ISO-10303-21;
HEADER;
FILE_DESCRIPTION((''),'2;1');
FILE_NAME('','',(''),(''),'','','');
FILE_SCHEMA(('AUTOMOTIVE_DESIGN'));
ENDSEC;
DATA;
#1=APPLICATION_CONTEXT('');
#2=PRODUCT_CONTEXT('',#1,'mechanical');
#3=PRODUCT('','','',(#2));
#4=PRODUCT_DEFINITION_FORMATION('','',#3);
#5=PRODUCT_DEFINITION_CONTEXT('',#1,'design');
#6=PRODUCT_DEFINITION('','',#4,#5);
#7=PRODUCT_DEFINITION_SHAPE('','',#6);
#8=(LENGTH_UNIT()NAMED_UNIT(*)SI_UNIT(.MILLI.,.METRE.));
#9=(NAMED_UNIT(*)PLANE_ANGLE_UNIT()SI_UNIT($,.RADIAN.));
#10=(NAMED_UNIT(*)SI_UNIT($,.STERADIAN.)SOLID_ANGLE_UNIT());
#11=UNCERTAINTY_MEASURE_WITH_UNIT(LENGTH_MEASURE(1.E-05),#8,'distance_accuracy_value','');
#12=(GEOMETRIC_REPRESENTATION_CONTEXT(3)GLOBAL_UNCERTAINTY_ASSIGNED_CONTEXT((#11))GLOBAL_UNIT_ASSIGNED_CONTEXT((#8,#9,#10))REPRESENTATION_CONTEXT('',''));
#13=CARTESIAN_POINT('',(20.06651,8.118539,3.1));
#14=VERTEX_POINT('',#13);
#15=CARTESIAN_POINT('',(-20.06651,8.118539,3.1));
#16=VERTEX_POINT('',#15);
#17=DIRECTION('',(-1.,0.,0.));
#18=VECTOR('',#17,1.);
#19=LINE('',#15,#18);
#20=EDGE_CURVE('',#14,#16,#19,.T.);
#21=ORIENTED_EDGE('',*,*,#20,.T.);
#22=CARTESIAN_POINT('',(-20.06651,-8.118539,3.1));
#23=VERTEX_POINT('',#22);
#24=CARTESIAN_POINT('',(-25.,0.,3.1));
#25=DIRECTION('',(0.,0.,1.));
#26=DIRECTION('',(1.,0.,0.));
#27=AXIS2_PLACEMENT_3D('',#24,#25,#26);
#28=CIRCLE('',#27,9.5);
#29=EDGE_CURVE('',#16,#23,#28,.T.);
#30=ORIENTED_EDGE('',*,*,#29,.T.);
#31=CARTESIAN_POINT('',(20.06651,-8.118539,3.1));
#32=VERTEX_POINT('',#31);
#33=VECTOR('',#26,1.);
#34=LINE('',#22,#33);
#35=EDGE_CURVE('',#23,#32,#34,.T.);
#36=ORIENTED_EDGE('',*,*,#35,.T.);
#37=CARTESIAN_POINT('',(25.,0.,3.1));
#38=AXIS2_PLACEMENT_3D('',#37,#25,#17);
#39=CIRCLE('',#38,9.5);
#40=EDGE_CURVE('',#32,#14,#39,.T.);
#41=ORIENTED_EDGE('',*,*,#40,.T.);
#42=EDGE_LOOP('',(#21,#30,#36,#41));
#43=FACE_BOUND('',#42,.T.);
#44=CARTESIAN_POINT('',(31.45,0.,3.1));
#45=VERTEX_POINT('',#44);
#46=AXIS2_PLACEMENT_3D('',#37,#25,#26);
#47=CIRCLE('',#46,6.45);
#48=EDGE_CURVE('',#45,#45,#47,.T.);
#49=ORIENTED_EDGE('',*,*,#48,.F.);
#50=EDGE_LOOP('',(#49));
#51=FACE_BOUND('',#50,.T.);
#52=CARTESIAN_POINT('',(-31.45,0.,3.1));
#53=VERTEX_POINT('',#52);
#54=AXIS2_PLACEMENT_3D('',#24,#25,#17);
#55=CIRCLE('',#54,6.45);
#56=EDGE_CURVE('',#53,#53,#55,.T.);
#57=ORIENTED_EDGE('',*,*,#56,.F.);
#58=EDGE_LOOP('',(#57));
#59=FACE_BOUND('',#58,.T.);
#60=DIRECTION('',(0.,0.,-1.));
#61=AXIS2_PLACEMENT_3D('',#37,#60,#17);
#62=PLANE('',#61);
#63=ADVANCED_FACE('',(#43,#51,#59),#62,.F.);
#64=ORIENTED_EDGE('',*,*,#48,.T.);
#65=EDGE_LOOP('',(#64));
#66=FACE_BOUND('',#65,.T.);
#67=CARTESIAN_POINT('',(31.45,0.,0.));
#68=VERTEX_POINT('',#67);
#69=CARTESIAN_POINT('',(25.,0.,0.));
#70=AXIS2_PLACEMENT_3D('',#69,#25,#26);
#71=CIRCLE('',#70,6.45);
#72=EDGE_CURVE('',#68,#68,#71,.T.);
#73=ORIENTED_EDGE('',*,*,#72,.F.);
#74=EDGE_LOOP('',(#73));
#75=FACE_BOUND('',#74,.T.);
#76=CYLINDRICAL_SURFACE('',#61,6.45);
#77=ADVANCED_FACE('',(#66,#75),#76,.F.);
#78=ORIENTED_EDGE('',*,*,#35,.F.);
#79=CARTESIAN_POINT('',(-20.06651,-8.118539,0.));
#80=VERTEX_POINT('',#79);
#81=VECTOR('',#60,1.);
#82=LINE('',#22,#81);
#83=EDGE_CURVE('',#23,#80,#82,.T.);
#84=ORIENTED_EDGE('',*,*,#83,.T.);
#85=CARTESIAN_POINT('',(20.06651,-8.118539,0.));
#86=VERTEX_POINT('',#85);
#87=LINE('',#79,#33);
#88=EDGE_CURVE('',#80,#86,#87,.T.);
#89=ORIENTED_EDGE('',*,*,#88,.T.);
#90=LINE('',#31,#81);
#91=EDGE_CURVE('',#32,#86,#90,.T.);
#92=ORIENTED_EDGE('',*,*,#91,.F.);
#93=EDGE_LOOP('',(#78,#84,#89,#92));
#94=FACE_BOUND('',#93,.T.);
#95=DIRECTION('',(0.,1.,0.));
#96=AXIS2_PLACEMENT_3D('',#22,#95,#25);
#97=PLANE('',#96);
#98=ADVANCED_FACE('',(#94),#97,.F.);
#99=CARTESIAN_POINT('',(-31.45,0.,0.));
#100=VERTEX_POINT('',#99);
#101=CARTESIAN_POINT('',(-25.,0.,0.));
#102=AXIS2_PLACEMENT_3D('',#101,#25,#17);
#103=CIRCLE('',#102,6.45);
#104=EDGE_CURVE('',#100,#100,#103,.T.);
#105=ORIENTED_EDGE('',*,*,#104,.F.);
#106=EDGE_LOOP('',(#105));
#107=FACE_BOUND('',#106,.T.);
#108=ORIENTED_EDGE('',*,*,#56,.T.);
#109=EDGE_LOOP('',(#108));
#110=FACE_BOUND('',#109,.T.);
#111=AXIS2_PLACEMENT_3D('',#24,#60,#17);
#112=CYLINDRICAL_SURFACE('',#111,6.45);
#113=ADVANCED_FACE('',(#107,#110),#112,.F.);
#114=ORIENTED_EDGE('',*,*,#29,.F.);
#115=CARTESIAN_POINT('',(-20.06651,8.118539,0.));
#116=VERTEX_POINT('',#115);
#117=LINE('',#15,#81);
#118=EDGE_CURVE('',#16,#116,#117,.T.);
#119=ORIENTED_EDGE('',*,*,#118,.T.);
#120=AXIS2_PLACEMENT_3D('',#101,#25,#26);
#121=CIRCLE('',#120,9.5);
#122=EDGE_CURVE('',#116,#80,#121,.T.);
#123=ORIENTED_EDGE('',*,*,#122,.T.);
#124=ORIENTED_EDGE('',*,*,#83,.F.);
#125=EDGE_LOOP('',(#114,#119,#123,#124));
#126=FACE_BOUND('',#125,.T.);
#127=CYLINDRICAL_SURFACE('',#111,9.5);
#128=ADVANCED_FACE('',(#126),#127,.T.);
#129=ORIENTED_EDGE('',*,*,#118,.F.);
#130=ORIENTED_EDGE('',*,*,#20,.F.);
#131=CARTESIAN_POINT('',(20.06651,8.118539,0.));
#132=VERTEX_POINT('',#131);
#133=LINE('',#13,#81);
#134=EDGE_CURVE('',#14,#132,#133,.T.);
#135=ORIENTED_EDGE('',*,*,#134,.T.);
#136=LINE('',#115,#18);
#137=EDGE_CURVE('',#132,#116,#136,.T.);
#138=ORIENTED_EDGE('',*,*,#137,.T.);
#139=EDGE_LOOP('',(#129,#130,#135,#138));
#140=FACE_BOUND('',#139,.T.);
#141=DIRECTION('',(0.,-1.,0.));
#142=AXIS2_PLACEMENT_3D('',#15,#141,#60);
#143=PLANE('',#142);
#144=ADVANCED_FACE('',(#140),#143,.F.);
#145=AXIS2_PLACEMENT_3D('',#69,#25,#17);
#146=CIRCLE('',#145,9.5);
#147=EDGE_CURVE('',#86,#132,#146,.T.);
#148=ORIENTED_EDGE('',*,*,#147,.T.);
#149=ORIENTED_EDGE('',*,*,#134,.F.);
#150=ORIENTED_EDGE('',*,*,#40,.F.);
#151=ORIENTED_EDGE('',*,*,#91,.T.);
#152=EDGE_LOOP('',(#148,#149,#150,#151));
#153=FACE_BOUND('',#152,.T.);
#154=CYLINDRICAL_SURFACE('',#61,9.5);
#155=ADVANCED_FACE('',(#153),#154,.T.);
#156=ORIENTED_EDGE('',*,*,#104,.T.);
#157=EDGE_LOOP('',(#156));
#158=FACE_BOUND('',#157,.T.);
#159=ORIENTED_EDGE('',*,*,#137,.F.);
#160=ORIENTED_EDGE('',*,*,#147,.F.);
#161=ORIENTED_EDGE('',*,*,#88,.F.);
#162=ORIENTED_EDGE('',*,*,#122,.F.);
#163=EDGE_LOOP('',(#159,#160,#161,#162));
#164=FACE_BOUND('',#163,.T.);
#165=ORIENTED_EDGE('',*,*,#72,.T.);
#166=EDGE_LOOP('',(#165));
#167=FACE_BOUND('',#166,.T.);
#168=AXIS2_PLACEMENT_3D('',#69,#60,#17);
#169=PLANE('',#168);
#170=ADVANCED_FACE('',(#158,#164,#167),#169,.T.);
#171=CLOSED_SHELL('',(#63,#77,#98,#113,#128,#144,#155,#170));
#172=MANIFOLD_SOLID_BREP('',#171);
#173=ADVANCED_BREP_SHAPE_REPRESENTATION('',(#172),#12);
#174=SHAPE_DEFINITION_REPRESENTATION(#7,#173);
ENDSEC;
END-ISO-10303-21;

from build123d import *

# Parameters (mm, degrees)
SKETCH1_R           = 6.45
BOSS_EXTRUDE1_DEPTH = 3.1


with BuildPart() as part:
    # Sketch1 → Boss-Extrude1 (new body)
    with BuildSketch(Plane.XY):
        with BuildLine():
            Line((-20.066509578, 8.118538801), (20.066509578, 8.118538801))
            ThreePointArc((20.066509578, 8.118538801), (34.5, 0), (20.066509578, -8.118538801))
            Line((20.066509578, -8.118538801), (-20.066509578, -8.118538801))
            ThreePointArc((-20.066509578, -8.118538801), (-34.5, 0), (-20.066509578, 8.118538801))
        make_face()
        with Locations((25, 0)):
            Circle(SKETCH1_R, mode=Mode.SUBTRACT)
        with Locations((-25, 0)):
            Circle(SKETCH1_R, mode=Mode.SUBTRACT)
    extrude(amount=BOSS_EXTRUDE1_DEPTH)


solid = part.part
